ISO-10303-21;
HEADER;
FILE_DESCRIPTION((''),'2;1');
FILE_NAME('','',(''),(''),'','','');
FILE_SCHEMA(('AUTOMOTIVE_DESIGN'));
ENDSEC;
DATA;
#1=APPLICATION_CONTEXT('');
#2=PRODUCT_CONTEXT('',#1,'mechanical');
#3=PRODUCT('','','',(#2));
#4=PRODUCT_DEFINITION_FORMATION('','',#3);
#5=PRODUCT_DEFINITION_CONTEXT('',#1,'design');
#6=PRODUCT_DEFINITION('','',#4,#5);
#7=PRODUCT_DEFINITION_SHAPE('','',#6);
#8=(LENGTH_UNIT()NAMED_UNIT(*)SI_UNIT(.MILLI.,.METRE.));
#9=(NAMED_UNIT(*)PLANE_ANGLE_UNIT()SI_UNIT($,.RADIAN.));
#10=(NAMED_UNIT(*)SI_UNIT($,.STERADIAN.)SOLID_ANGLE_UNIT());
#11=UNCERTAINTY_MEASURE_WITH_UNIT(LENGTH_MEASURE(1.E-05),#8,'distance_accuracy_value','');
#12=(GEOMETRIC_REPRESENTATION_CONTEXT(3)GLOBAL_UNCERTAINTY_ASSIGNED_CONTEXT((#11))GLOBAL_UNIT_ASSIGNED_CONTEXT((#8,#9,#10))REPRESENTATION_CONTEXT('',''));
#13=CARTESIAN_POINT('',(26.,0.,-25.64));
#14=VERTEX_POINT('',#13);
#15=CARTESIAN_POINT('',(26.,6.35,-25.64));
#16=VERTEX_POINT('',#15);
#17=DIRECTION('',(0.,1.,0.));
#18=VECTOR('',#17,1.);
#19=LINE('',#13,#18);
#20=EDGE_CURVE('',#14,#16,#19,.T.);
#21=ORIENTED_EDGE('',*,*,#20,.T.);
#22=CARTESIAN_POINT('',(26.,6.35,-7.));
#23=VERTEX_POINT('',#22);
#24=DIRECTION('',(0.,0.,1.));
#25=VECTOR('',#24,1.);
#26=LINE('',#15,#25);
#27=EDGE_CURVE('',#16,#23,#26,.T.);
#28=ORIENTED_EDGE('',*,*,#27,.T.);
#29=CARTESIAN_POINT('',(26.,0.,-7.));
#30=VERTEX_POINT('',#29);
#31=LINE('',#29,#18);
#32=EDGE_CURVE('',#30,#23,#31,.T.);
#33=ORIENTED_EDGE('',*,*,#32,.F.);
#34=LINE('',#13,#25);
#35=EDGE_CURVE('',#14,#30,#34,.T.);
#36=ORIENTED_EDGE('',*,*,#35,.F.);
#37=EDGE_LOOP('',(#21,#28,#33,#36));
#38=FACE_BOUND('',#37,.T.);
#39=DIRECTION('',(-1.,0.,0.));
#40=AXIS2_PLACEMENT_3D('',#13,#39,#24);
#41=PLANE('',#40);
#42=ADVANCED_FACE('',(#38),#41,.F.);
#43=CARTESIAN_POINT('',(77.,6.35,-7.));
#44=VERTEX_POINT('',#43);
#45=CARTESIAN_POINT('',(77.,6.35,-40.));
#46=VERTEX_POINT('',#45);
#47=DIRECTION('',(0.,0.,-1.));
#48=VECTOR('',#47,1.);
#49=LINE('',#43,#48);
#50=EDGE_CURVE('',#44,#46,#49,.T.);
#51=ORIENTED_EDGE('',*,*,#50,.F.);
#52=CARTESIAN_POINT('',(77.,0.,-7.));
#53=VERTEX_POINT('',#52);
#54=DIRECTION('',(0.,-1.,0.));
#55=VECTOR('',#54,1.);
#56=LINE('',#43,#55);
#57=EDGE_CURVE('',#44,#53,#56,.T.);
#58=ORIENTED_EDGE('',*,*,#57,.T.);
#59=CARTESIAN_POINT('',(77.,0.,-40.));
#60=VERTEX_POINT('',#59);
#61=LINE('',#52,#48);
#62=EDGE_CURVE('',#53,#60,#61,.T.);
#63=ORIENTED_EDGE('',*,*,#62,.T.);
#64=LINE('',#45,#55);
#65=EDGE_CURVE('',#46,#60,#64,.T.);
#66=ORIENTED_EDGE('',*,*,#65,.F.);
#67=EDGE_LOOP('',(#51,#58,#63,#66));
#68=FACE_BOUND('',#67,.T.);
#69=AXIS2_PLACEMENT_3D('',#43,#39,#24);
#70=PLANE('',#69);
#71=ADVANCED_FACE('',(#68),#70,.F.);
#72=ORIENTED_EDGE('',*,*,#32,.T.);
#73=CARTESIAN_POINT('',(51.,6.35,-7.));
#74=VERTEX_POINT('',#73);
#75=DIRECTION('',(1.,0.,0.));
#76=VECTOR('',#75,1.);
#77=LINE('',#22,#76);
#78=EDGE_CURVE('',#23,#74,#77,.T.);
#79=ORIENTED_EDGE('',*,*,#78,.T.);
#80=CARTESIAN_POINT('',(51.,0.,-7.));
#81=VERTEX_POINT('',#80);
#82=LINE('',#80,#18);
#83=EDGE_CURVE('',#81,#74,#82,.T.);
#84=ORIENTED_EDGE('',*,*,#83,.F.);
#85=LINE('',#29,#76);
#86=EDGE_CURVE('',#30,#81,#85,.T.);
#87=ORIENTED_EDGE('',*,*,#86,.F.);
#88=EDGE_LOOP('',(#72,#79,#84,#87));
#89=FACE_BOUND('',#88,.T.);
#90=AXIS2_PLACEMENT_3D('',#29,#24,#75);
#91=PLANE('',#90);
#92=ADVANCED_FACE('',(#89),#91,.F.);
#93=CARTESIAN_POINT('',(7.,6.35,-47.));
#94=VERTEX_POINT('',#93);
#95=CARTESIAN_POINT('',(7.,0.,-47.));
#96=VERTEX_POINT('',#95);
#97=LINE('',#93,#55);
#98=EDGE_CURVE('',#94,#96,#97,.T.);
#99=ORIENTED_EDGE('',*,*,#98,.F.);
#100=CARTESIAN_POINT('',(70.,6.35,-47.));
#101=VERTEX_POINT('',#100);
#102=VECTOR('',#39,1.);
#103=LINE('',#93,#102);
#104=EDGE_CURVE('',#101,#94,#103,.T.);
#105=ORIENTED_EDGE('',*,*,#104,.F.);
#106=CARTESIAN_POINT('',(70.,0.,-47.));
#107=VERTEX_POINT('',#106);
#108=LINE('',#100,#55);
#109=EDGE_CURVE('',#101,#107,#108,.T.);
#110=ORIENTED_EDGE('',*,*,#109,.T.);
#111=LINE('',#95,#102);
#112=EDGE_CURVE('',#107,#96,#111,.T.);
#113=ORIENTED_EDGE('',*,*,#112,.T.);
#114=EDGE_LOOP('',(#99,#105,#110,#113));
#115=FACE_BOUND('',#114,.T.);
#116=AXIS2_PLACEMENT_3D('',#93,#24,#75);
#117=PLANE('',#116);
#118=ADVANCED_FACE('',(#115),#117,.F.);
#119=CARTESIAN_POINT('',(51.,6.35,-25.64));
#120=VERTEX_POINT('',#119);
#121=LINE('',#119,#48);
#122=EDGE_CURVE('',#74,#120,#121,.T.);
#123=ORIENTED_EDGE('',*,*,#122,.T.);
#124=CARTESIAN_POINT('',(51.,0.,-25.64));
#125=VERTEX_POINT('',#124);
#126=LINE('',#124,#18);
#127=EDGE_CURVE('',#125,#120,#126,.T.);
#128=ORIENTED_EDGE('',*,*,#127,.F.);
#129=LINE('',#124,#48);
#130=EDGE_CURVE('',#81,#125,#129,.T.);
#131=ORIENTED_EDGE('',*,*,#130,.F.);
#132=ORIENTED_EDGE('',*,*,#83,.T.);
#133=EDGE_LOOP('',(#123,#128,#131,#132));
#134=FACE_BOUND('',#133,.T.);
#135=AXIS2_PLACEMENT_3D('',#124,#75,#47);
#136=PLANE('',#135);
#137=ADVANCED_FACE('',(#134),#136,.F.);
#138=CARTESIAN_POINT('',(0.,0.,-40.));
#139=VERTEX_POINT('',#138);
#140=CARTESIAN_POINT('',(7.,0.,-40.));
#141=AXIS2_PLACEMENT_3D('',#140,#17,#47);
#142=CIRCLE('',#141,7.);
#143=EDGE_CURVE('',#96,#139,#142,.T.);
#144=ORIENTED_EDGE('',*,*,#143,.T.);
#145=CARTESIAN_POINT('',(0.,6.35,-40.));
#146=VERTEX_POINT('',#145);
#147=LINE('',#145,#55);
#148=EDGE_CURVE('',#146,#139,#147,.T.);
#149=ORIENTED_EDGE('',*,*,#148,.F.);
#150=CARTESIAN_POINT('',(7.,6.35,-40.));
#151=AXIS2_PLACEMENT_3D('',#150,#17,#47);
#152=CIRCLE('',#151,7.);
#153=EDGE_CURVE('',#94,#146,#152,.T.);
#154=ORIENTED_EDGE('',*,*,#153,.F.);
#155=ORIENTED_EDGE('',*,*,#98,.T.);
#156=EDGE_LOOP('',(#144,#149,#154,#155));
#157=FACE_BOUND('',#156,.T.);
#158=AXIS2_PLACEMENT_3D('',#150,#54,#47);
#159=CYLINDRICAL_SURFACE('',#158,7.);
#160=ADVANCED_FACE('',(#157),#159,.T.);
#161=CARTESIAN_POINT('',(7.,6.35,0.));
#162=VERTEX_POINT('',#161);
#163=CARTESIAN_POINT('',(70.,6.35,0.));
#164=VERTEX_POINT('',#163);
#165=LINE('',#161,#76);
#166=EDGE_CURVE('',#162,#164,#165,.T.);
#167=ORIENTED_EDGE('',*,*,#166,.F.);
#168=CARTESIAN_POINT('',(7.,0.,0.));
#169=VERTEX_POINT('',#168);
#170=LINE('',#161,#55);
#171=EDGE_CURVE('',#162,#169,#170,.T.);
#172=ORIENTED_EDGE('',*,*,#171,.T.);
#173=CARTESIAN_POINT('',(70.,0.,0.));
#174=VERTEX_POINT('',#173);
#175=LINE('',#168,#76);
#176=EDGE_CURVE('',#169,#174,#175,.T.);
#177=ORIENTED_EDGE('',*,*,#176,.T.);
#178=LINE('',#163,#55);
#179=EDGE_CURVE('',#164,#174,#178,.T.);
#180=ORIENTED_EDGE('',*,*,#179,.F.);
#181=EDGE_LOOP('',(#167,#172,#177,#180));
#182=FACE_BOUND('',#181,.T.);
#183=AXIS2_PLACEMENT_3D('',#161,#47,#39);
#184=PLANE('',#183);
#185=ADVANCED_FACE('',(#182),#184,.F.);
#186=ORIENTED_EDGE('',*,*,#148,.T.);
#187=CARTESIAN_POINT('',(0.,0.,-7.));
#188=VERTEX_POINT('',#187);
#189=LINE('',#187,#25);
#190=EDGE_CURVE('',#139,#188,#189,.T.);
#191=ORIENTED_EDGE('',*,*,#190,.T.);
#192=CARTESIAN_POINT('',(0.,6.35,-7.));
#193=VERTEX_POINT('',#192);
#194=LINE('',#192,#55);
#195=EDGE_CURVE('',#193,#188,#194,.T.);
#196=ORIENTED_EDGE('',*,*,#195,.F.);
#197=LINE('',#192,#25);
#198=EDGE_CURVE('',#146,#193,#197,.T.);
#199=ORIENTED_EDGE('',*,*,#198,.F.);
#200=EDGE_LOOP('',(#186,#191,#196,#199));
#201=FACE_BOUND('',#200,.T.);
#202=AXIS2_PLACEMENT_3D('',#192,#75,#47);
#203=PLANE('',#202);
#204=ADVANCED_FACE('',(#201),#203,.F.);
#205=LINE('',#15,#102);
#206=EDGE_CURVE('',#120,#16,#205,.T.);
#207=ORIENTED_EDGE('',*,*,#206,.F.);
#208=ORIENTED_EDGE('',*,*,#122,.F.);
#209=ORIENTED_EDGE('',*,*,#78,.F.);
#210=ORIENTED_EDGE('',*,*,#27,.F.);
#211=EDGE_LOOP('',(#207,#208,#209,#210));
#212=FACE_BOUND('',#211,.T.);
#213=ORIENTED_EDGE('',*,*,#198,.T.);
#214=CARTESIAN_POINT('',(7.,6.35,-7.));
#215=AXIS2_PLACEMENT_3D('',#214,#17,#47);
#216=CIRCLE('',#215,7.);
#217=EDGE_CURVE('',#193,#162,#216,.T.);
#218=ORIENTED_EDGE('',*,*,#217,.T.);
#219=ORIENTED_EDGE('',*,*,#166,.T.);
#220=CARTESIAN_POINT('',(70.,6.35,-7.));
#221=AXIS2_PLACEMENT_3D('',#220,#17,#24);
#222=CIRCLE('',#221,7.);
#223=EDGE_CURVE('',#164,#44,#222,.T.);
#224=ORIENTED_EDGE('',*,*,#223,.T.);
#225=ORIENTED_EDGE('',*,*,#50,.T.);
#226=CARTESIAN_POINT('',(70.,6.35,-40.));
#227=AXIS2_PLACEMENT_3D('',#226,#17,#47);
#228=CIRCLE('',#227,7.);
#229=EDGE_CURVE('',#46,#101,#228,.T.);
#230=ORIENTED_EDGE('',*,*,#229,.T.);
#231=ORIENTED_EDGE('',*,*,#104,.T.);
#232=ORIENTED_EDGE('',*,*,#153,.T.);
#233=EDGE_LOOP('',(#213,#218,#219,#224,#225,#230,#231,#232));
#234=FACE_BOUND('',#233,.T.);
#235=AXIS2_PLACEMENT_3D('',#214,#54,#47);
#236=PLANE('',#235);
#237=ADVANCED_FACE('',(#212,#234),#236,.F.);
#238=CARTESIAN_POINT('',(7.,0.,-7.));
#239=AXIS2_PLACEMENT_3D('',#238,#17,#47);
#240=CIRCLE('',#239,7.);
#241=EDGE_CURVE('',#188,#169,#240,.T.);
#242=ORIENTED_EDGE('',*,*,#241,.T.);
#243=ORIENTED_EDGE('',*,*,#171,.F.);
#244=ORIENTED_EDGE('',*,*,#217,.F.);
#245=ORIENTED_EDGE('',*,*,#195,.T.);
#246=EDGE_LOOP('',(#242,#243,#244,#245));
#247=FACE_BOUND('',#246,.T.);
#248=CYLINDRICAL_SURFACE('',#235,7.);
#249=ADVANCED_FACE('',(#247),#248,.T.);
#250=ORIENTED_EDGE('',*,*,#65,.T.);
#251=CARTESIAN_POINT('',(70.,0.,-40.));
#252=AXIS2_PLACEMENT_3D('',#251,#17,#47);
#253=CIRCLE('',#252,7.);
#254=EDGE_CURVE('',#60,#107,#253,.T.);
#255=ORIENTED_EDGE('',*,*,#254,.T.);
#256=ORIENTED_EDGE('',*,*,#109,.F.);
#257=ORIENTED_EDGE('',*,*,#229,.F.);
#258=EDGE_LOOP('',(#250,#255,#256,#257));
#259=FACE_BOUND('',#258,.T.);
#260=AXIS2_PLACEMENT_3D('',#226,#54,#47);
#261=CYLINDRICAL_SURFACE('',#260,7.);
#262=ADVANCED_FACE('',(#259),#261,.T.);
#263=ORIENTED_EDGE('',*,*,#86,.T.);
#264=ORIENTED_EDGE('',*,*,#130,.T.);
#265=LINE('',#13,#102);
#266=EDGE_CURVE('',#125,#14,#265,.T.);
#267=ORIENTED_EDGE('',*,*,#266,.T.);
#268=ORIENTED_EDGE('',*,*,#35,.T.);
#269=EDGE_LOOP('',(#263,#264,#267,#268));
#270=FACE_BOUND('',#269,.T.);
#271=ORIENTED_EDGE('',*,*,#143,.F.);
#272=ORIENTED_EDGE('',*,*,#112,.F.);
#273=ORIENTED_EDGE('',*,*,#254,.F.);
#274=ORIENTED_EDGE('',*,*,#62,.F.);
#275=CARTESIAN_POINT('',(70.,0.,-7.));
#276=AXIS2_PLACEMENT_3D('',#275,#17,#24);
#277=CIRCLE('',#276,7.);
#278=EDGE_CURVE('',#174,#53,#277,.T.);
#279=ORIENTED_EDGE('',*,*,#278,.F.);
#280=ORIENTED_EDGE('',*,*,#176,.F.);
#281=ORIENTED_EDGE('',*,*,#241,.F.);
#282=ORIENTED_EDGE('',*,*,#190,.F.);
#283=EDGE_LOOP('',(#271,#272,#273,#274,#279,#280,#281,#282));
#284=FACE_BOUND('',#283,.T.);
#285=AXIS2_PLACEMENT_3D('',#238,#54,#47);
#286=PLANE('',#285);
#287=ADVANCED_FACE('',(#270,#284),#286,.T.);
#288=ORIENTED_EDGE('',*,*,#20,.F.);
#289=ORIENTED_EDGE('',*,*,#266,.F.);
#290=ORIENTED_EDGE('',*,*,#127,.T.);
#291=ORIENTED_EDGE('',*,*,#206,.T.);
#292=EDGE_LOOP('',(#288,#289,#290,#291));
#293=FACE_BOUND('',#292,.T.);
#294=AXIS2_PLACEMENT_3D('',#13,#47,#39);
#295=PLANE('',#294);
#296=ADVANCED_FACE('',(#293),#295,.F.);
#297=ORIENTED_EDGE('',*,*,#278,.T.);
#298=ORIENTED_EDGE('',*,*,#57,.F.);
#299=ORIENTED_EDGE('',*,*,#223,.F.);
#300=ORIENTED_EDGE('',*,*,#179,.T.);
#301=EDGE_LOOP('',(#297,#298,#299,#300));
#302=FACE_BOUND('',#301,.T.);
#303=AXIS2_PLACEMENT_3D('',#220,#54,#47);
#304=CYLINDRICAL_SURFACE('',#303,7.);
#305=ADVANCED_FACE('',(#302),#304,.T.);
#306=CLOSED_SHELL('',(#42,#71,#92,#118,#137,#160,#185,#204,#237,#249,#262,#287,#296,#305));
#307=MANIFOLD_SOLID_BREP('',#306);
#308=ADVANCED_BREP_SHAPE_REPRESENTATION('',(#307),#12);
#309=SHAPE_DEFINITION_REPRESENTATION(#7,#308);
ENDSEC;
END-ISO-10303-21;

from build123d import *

# Parameters (mm, degrees)
BOSS_EXTRUDE1_DEPTH = 6.35
SKETCH2_W           = 25
SKETCH2_H           = 18.64
CUT_EXTRUDE1_DEPTH  = 91.434078201


with BuildPart() as part:
    # Sketch1 → Boss-Extrude1 (new body)
    with BuildSketch(Plane(origin=(0, 0, 0), x_dir=(1, 0, 0), z_dir=(0, 1, 0))):
        with BuildLine():
            Line((7, 0), (70, 0))
            ThreePointArc((70, 0), (74.949747468, 2.050252532), (77, 7))
            Line((77, 7), (77, 40))
            ThreePointArc((77, 40), (74.949747468, 44.949747468), (70, 47))
            Line((70, 47), (7, 47))
            ThreePointArc((7, 47), (2.050252532, 44.949747468), (0, 40))
            Line((0, 40), (0, 7))
            ThreePointArc((0, 7), (2.050252532, 2.050252532), (7, 0))
        make_face()
    extrude(amount=BOSS_EXTRUDE1_DEPTH)

    # Sketch2 → Cut-Extrude1 (cut, through all)
    with BuildSketch(Plane(origin=(0, 6.35, 0), x_dir=(1, 0, 0), z_dir=(0, 1, 0))):
        with Locations((38.5, 16.32)):
            Rectangle(SKETCH2_W, SKETCH2_H)
    extrude(amount=-CUT_EXTRUDE1_DEPTH, mode=Mode.SUBTRACT)


solid = part.part
